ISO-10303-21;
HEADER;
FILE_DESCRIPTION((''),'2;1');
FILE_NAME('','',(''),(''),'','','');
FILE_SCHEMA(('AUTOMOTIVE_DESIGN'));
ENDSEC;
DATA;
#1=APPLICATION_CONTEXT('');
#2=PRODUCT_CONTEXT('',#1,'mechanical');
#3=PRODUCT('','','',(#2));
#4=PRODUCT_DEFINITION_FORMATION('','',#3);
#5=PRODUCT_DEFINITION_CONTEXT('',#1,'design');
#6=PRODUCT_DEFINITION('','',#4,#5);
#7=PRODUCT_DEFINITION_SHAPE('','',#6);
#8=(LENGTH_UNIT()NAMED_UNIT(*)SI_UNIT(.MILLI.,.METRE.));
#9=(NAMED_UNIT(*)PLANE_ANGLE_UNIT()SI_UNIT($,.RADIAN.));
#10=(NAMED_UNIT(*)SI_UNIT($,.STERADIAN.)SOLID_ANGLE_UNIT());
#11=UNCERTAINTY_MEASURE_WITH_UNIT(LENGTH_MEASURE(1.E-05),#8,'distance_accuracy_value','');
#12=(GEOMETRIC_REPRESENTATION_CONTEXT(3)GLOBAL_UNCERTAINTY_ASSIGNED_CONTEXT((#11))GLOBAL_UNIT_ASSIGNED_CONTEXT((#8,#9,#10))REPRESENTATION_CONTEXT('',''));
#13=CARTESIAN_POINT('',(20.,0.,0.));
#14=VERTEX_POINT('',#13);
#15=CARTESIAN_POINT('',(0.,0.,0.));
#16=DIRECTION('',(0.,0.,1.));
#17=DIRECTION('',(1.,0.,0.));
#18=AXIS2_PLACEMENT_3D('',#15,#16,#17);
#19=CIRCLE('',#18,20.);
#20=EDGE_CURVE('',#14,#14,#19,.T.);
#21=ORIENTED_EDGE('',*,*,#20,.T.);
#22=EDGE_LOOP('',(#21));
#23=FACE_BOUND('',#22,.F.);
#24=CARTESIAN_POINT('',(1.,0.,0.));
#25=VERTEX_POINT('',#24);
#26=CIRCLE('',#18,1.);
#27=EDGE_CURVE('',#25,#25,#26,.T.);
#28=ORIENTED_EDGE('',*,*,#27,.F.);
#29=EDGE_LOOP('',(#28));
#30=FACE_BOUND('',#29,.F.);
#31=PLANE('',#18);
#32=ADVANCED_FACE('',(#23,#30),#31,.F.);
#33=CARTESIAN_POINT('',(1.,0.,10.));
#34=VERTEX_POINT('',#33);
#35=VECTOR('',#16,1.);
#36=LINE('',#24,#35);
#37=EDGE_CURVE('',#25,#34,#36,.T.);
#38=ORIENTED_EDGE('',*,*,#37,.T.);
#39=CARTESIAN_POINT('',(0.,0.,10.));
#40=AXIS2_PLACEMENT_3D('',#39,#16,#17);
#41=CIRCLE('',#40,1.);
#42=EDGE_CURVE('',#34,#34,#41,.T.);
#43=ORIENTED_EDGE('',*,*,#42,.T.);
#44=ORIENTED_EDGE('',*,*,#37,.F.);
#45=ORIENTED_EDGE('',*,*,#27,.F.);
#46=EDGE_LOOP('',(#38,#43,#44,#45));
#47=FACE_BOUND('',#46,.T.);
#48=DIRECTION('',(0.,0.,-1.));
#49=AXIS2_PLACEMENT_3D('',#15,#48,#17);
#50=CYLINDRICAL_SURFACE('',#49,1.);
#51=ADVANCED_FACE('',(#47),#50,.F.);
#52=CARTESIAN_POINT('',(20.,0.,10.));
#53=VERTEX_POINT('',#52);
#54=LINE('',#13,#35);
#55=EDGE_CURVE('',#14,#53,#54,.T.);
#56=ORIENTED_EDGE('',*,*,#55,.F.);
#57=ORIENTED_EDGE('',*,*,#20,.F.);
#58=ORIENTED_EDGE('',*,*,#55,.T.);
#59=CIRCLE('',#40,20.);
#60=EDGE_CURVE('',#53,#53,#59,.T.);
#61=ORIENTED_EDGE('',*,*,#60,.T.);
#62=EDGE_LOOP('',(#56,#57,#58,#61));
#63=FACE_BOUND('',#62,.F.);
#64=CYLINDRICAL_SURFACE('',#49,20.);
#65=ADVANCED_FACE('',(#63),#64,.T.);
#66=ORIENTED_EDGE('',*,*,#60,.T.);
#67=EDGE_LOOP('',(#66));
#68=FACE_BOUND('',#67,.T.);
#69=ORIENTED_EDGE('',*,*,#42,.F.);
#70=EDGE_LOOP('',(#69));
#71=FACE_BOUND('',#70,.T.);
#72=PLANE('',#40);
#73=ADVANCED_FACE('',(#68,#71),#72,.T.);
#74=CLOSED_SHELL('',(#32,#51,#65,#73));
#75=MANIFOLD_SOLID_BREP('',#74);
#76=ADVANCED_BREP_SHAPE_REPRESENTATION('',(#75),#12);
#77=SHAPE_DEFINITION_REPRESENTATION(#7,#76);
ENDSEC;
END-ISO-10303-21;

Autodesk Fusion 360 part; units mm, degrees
sketch "Sketch2" plane through (0, 0, 0) normal (0, 0, 1) x (1, 0, 0)
  circle A0 centre (0, 0) radius 20
  circle A1 centre (0, 0) radius 1
  dimension "d22" = 40
extrude "Extrude1" add sketch "Sketch2" along normal blind 10 makes body 1
copy_body "Body->Comp1" bodies 1 removing the originals makes body 2 in component "Component"
component "Component" placed x (1, 0, 0) y (0, 1, 0) z (0, 0, 1) at (0, 0, 0)
